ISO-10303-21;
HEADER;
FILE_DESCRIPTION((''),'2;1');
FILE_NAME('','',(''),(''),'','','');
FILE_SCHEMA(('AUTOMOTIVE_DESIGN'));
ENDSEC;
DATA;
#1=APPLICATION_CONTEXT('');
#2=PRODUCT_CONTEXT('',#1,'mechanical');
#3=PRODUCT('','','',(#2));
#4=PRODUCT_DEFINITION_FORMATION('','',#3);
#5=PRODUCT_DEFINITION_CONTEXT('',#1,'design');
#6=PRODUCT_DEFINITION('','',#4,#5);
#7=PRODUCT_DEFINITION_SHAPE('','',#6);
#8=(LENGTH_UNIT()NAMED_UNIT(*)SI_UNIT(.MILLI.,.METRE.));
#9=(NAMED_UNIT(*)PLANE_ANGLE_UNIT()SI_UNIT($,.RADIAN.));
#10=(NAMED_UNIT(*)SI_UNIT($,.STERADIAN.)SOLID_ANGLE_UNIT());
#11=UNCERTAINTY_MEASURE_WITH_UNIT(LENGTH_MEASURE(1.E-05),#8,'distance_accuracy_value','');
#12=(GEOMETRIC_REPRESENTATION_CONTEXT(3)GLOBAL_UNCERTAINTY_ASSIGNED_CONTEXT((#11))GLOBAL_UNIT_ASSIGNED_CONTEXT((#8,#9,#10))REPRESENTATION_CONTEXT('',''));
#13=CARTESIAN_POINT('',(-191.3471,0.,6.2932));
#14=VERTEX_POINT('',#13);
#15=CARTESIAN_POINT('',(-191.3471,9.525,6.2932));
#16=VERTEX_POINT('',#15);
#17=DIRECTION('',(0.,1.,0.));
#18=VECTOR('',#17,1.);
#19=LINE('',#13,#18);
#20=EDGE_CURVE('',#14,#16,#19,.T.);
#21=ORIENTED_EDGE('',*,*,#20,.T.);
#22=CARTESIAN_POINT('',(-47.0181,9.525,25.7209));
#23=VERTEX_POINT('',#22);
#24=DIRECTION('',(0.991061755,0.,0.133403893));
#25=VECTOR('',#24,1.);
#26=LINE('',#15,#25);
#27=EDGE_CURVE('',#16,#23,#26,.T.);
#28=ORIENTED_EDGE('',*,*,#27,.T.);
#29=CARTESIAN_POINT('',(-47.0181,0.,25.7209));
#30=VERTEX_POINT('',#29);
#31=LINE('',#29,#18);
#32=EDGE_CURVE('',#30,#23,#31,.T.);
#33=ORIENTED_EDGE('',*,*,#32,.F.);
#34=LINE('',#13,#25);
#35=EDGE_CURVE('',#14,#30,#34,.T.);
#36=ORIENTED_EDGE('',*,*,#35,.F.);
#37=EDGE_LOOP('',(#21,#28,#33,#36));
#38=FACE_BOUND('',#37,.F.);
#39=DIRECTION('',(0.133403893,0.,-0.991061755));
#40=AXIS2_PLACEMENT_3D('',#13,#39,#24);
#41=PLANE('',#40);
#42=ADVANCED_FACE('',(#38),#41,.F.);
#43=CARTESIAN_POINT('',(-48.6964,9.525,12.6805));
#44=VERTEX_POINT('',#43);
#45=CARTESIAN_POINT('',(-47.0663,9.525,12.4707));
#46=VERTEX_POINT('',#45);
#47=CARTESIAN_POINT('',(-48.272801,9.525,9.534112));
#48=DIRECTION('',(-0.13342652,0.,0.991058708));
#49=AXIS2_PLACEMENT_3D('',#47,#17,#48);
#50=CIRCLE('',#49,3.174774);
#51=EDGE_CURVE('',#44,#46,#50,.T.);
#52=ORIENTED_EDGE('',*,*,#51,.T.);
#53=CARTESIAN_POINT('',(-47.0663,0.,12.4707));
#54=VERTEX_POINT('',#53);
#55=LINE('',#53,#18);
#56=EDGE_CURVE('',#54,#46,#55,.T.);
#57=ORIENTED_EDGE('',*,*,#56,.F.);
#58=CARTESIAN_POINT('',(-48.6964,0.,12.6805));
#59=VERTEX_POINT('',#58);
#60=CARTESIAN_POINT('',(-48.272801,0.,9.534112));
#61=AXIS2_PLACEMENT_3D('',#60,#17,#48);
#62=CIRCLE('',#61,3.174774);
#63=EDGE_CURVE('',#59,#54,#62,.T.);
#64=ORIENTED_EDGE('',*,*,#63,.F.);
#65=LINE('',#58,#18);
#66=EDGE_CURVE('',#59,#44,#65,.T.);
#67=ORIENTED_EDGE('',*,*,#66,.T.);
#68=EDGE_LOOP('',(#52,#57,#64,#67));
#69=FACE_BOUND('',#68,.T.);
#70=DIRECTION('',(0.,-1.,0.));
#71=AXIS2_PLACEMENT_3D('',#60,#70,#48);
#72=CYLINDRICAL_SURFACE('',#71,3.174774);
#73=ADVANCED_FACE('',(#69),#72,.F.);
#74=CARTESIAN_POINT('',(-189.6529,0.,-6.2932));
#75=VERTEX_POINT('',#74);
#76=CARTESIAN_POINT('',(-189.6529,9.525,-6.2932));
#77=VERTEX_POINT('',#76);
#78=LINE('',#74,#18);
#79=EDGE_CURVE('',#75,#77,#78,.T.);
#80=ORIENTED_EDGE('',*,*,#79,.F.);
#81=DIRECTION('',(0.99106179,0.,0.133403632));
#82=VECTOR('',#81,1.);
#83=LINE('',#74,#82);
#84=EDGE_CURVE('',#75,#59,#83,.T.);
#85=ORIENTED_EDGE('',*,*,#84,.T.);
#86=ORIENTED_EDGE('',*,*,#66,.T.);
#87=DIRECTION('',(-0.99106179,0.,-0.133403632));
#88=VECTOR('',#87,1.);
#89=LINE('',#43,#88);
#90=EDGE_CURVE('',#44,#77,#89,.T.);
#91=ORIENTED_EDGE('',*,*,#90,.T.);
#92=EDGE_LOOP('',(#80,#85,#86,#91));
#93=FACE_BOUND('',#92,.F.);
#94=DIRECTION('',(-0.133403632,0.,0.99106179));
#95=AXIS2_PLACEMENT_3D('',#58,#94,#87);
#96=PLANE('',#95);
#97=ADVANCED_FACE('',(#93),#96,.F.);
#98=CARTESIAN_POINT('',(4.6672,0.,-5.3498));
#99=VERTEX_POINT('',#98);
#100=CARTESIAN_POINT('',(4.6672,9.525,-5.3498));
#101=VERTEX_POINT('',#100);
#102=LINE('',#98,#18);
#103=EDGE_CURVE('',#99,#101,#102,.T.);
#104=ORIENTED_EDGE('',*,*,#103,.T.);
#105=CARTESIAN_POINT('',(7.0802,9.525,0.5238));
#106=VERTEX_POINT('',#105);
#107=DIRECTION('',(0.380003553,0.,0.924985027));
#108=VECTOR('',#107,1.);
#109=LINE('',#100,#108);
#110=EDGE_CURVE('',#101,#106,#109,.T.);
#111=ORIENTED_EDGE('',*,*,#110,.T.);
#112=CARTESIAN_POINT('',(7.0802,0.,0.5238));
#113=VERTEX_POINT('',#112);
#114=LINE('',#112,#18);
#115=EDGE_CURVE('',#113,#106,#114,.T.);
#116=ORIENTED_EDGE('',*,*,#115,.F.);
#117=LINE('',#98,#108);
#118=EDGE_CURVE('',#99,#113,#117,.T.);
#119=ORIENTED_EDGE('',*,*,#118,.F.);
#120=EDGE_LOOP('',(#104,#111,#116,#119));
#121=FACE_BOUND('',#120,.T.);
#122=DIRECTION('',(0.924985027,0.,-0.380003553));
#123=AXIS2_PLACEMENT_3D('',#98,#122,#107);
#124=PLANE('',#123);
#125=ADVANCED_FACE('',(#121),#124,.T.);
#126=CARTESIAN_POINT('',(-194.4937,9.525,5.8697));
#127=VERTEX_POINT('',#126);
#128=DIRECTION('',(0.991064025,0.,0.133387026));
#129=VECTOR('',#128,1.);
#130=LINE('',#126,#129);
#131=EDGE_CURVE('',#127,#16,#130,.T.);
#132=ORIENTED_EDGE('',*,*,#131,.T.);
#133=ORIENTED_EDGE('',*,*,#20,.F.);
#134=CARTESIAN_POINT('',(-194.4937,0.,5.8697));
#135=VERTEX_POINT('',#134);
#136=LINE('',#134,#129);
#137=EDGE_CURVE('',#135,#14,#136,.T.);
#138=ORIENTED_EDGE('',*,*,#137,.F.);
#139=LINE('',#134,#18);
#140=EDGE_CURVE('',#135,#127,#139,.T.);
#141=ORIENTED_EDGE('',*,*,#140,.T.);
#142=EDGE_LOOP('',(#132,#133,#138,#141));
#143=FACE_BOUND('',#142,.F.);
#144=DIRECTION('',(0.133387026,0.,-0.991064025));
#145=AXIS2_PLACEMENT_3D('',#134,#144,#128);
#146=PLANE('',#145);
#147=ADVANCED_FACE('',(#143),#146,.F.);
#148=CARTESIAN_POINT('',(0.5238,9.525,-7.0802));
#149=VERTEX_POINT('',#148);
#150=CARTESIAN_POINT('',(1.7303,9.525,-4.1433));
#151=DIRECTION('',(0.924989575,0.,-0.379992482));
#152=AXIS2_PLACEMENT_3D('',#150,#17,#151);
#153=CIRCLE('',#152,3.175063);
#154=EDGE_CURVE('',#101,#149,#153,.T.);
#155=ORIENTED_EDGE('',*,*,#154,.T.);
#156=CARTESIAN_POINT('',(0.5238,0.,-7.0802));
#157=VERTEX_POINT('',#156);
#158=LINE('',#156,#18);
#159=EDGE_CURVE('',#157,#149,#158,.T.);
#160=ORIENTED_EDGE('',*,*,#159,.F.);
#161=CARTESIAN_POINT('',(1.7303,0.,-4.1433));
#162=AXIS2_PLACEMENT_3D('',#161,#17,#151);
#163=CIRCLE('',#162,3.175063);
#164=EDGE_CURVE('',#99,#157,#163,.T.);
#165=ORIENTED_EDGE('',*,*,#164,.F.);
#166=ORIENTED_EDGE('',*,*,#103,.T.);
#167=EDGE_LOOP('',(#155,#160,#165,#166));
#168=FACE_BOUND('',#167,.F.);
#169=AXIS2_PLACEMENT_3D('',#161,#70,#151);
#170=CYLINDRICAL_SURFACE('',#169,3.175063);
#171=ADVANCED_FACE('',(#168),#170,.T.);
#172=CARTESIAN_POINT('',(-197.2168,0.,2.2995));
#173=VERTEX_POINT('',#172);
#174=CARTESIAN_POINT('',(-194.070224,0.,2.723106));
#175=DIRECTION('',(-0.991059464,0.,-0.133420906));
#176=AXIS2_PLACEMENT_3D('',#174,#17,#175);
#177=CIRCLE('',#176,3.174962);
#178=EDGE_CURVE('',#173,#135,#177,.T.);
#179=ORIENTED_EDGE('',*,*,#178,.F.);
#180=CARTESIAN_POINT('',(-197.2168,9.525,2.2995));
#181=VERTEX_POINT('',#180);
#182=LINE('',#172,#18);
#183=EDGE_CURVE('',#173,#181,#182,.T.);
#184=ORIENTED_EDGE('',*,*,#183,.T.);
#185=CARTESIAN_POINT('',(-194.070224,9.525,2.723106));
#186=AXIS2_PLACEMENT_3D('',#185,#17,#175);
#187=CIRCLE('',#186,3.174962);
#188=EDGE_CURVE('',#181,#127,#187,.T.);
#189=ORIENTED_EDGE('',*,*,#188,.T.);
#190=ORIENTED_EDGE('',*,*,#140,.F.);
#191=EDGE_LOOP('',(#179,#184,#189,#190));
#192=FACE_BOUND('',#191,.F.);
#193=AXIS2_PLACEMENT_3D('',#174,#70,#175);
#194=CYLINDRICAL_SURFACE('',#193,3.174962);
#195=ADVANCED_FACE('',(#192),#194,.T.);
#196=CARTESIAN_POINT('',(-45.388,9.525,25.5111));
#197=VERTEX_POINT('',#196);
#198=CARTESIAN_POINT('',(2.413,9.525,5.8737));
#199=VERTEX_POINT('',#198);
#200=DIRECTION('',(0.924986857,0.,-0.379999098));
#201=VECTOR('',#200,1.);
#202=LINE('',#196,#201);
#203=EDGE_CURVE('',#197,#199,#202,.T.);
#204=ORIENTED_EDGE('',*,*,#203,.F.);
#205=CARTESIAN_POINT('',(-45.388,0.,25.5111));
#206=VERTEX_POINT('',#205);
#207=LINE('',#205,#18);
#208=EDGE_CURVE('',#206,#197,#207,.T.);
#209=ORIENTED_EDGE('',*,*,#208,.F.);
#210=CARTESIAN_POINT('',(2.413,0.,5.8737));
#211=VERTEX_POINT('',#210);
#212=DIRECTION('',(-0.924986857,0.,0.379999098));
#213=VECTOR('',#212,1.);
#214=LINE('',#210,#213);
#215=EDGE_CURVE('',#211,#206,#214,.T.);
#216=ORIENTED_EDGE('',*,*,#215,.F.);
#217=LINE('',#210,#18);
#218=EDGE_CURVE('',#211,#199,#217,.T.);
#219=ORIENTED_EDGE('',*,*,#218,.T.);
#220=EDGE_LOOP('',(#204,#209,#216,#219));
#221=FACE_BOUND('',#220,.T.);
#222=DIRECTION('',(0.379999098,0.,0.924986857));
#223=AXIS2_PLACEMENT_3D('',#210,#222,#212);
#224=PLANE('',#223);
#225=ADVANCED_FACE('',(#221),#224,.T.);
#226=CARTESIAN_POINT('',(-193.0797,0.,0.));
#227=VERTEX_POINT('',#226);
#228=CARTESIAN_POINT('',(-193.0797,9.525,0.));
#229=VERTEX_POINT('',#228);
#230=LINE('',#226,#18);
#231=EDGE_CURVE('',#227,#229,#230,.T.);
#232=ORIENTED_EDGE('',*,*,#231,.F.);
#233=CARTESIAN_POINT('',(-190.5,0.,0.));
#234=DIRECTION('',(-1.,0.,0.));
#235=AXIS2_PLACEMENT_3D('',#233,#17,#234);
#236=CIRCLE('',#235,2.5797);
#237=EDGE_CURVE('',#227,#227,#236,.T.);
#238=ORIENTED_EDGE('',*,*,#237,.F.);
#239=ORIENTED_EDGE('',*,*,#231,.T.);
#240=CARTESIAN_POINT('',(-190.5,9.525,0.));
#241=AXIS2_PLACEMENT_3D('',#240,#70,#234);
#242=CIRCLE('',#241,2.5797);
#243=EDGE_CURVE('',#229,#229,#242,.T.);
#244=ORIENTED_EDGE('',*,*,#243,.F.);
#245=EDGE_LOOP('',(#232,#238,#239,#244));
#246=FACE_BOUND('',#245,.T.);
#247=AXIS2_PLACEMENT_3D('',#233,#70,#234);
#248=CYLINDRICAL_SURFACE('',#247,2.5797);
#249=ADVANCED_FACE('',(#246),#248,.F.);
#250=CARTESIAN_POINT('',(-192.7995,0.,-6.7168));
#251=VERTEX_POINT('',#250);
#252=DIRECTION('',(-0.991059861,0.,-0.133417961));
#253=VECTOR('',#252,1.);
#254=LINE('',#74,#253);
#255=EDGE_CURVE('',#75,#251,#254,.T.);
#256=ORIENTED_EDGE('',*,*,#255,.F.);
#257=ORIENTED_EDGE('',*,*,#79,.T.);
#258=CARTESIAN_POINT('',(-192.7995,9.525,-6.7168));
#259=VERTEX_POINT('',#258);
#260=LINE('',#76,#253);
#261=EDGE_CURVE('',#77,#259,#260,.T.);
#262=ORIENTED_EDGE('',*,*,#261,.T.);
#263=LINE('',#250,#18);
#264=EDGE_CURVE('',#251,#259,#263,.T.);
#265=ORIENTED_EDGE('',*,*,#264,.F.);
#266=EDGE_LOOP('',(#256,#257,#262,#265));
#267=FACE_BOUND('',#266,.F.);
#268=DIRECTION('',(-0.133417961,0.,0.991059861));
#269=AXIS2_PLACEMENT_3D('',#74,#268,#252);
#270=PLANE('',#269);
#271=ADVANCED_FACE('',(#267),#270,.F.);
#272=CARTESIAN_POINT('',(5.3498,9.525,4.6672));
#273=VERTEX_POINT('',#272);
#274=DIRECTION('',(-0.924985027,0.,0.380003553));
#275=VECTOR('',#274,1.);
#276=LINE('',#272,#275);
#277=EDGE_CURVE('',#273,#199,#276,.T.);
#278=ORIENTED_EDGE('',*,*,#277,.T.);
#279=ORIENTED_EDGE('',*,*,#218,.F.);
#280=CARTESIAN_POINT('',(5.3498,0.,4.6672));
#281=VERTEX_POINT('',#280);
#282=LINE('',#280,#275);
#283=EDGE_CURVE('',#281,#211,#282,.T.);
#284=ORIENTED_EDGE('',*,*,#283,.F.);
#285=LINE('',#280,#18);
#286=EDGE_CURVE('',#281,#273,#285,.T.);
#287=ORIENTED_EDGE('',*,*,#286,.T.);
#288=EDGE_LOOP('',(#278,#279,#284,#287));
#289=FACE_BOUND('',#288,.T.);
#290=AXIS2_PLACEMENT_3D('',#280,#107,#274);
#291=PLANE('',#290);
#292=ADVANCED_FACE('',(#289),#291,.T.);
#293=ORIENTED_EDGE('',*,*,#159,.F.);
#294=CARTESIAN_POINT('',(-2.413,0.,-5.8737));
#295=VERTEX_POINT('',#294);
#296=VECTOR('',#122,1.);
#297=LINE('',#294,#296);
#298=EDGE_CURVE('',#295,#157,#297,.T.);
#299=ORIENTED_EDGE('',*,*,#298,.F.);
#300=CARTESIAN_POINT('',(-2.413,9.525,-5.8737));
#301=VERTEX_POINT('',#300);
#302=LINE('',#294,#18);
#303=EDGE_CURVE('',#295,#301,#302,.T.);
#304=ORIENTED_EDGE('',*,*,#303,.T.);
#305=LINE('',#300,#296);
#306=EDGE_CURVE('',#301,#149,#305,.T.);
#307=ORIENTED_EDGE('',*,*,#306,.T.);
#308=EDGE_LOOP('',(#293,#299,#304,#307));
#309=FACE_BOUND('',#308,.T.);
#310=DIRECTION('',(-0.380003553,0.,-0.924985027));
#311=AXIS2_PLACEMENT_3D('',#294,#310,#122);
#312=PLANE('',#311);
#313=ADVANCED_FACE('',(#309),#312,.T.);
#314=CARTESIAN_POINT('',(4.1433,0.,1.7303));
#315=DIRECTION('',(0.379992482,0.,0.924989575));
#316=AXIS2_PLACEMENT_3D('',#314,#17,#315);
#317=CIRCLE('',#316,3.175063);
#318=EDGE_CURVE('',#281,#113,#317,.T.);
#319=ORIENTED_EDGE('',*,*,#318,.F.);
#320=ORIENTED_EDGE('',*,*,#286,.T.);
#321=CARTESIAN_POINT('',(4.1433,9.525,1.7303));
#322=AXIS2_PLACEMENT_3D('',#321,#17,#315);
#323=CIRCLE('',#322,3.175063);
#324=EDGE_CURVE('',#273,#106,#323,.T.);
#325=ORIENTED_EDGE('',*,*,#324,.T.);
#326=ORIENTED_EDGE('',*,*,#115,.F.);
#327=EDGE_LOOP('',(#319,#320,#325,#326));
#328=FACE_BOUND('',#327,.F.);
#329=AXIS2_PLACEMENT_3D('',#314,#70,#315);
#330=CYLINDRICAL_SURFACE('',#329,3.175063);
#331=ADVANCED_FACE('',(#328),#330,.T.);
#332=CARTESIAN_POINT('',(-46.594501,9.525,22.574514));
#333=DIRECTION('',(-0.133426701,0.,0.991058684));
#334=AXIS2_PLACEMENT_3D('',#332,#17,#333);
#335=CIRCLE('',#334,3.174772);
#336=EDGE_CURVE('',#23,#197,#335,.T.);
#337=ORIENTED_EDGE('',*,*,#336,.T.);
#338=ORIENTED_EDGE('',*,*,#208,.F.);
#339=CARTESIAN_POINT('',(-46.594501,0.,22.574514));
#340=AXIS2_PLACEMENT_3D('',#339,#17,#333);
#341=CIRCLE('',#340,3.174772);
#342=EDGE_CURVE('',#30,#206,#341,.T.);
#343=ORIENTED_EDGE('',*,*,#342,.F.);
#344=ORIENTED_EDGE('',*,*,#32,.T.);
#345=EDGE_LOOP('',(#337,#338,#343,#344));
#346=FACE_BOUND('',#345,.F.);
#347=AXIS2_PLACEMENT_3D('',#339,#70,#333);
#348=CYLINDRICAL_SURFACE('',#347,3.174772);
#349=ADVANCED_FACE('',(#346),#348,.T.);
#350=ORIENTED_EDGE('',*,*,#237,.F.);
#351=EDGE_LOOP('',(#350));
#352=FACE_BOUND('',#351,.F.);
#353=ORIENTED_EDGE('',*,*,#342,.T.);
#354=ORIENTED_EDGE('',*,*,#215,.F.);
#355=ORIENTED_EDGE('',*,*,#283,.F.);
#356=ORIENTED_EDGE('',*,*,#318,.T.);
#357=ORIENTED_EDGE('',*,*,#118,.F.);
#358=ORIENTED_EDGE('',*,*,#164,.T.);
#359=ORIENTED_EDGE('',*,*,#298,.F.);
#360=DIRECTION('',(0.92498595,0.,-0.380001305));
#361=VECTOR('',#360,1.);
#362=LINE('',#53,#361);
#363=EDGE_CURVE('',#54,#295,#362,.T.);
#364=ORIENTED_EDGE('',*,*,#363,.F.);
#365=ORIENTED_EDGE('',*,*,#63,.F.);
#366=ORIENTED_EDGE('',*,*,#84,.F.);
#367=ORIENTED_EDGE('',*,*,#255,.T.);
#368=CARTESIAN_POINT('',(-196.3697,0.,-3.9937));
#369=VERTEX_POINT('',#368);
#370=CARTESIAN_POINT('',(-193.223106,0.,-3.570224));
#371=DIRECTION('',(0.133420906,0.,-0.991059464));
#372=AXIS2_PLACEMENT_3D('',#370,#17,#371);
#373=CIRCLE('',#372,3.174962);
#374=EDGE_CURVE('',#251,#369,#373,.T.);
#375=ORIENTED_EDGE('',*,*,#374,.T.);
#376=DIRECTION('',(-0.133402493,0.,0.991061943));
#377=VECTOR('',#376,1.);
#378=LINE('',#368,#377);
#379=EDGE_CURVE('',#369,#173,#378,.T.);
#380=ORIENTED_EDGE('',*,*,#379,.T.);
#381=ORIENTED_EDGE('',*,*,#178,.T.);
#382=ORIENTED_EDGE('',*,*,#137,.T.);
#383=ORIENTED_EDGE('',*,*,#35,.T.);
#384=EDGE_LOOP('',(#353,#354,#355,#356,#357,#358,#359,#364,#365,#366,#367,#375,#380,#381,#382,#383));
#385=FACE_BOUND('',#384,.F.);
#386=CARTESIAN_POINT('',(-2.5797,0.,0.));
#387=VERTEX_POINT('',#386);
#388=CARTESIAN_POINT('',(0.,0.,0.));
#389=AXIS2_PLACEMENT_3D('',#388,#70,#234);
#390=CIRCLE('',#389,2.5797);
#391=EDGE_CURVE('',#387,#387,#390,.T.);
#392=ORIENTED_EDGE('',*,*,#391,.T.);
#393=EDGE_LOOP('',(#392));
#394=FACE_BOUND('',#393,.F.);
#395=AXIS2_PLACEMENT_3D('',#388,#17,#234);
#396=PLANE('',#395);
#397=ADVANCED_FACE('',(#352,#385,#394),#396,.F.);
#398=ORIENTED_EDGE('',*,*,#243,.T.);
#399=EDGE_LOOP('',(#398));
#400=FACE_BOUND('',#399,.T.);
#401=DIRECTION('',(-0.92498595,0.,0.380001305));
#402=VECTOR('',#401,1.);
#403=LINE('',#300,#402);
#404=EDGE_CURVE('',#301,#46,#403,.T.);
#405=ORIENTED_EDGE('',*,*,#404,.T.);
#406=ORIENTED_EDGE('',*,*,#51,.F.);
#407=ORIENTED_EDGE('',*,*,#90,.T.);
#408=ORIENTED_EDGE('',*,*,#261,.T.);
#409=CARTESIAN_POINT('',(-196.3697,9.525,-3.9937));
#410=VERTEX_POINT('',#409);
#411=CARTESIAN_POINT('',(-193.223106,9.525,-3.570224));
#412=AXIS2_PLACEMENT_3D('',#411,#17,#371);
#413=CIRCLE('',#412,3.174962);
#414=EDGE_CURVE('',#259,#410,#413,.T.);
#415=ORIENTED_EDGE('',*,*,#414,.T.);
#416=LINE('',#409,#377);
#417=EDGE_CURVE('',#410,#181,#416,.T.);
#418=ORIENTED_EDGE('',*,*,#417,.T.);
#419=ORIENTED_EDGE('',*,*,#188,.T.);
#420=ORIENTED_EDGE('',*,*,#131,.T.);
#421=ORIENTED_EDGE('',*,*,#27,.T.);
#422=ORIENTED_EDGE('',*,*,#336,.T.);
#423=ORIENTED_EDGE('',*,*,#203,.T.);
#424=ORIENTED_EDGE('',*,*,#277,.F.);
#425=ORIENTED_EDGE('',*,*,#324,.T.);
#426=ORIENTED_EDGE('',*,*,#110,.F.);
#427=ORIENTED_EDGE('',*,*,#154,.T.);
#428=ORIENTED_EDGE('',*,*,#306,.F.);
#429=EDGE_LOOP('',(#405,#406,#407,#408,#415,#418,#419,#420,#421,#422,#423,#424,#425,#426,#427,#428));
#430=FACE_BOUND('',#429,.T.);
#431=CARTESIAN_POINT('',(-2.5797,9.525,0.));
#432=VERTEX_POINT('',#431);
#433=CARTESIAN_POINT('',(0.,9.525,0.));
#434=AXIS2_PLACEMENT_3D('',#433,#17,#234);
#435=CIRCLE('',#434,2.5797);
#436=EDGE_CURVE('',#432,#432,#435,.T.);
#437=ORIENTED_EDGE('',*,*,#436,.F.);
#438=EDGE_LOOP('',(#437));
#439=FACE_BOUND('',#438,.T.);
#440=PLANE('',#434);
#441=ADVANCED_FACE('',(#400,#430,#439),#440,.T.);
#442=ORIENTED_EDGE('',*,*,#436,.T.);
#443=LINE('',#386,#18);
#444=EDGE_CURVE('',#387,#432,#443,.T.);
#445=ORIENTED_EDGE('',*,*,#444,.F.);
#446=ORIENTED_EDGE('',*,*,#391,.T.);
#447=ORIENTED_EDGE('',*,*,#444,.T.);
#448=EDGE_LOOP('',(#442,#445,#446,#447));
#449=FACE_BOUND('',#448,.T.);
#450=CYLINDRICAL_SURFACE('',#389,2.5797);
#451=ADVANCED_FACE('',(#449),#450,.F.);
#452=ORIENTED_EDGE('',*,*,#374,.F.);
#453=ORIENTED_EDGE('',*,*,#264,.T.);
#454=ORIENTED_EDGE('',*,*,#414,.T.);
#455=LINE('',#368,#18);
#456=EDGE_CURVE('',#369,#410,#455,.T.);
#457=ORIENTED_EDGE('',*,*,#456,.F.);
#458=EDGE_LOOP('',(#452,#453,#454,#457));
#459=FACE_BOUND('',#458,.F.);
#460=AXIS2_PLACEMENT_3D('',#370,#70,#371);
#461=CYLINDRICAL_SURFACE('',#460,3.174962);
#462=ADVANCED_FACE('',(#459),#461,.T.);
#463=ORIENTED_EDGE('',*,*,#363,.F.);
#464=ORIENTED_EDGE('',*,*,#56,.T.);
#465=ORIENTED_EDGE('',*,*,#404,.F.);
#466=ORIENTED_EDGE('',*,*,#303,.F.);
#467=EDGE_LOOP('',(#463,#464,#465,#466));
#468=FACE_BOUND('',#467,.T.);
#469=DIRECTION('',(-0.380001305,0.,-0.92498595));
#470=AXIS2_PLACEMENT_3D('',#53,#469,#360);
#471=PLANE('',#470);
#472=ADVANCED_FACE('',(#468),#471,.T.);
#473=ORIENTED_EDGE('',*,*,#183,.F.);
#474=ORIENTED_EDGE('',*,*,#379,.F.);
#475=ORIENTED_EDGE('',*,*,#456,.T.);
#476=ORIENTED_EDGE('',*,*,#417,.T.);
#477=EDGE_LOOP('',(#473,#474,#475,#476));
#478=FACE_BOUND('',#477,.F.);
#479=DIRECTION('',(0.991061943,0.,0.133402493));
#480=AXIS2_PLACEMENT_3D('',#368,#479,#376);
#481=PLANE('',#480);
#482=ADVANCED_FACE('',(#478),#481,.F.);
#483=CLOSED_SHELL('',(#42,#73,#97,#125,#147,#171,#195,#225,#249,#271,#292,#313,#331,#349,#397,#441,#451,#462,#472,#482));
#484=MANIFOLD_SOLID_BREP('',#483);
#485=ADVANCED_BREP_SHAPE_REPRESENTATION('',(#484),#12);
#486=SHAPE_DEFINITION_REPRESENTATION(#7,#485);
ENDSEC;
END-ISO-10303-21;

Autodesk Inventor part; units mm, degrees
ref_plane "YZ Plane" through (0, 0, 0) normal (1, 0, 0) x (0, 1, 0)
ref_plane "XZ Plane" through (0, 0, 0) normal (0, 1, 0) x (-1, 0, 0)
ref_plane "XY Plane" through (0, 0, 0) normal (0, 0, 1) x (1, 0, 0)
sketch "Sketch1" plane through (0, 0, 0) normal (0, 1, 0) x (-1, 0, 0)
  line L0 (0, 0) -> (190.5, 0)
  line L1 (190.5, 0) -> (47.0141, 19.3142)
  line L2 (47.0141, 19.3142) -> (0, 0)
  line L3 (2.413, -5.8737) -> (-2.413, 5.8737)
  line L4 (-2.413, 5.8737) -> (45.388, 25.5111)
  line L5 (47.0663, 12.4707) -> (2.413, -5.8737)
  line L6 (41.2492, 26.4974) -> (39.555, 13.9109)
  line L7 (48.6964, 12.6805) -> (189.6529, -6.2932)
  line L8 (189.6529, -6.2932) -> (191.3471, 6.2932)
  line L9 (191.3471, 6.2932) -> (47.0181, 25.7209)
  arc A0 (47.0181, 25.7209) -> (45.388, 25.5111) centre (46.5945, 22.5743) ccw
  arc A1 (48.6964, 12.6805) -> (47.0663, 12.4707) centre (48.2728, 9.5338) ccw
  circle A2 centre (47.0141, 19.3142) radius 2.5797
  circle A3 centre (190.5, 0) radius 2.5797
  circle A4 centre (0, 0) radius 2.5797
  line L10 (191.3471, 6.2932) -> (189.6529, -6.2932)
  line L11 (189.6529, -6.2932) -> (192.7995, -6.7168)
  line L12 (196.3697, -3.9937) -> (197.2168, 2.2995)
  line L13 (194.4937, 5.8697) -> (191.3471, 6.2932)
  arc A5 (197.2168, 2.2995) -> (194.4937, 5.8697) centre (194.0702, 2.7231) ccw
  arc A6 (192.7995, -6.7168) -> (196.3697, -3.9937) centre (193.2231, -3.5702) ccw
  line L14 (-2.413, 5.8737) -> (2.413, -5.8737)
  line L15 (2.413, -5.8737) -> (-0.5238, -7.0802)
  line L16 (-4.6672, -5.3498) -> (-7.0802, 0.5238)
  line L17 (-5.3498, 4.6672) -> (-2.413, 5.8737)
  arc A7 (-5.3498, 4.6672) -> (-7.0802, 0.5238) centre (-4.1433, 1.7303) ccw
  arc A8 (-4.6672, -5.3498) -> (-0.5238, -7.0802) centre (-1.7303, -4.1433) ccw
  point P0 (195.9461, -7.1404)
  point P1 (-3.4607, -8.2867)
  dimension "d0" = 190.5
  dimension "d1" = 150
  dimension "d2" = 12.7
  dimension "d3" = 3.175
  dimension "d4" = 5.1594
  dimension "d6" = 6.35
  dimension "d7" = 3.175
  dimension "d8" = 6.35
  dimension "d9" = 3.175
  dimension "d12" = 144.78
  dimension "d13" = 12.7
  dimension "d14" = 12.7
extrude "Extrusion1" add sketch "Sketch1" along normal blind 9.525 contours A4 L2 A2 L1 A3 L0 L7 A1 L5 | L0 L5 L3 A4 | A4 L3 L4 L6 L2 | L3 L15 A8 L16 A7 L17 A4 | L6 L4 A0 L9 L8 A3 L1 A2 L2 | L0 A3 L8 L7 | A2 L1 L2 | L2 L1 A2 | L8 A3 L13 A5 L12 A6 L11
